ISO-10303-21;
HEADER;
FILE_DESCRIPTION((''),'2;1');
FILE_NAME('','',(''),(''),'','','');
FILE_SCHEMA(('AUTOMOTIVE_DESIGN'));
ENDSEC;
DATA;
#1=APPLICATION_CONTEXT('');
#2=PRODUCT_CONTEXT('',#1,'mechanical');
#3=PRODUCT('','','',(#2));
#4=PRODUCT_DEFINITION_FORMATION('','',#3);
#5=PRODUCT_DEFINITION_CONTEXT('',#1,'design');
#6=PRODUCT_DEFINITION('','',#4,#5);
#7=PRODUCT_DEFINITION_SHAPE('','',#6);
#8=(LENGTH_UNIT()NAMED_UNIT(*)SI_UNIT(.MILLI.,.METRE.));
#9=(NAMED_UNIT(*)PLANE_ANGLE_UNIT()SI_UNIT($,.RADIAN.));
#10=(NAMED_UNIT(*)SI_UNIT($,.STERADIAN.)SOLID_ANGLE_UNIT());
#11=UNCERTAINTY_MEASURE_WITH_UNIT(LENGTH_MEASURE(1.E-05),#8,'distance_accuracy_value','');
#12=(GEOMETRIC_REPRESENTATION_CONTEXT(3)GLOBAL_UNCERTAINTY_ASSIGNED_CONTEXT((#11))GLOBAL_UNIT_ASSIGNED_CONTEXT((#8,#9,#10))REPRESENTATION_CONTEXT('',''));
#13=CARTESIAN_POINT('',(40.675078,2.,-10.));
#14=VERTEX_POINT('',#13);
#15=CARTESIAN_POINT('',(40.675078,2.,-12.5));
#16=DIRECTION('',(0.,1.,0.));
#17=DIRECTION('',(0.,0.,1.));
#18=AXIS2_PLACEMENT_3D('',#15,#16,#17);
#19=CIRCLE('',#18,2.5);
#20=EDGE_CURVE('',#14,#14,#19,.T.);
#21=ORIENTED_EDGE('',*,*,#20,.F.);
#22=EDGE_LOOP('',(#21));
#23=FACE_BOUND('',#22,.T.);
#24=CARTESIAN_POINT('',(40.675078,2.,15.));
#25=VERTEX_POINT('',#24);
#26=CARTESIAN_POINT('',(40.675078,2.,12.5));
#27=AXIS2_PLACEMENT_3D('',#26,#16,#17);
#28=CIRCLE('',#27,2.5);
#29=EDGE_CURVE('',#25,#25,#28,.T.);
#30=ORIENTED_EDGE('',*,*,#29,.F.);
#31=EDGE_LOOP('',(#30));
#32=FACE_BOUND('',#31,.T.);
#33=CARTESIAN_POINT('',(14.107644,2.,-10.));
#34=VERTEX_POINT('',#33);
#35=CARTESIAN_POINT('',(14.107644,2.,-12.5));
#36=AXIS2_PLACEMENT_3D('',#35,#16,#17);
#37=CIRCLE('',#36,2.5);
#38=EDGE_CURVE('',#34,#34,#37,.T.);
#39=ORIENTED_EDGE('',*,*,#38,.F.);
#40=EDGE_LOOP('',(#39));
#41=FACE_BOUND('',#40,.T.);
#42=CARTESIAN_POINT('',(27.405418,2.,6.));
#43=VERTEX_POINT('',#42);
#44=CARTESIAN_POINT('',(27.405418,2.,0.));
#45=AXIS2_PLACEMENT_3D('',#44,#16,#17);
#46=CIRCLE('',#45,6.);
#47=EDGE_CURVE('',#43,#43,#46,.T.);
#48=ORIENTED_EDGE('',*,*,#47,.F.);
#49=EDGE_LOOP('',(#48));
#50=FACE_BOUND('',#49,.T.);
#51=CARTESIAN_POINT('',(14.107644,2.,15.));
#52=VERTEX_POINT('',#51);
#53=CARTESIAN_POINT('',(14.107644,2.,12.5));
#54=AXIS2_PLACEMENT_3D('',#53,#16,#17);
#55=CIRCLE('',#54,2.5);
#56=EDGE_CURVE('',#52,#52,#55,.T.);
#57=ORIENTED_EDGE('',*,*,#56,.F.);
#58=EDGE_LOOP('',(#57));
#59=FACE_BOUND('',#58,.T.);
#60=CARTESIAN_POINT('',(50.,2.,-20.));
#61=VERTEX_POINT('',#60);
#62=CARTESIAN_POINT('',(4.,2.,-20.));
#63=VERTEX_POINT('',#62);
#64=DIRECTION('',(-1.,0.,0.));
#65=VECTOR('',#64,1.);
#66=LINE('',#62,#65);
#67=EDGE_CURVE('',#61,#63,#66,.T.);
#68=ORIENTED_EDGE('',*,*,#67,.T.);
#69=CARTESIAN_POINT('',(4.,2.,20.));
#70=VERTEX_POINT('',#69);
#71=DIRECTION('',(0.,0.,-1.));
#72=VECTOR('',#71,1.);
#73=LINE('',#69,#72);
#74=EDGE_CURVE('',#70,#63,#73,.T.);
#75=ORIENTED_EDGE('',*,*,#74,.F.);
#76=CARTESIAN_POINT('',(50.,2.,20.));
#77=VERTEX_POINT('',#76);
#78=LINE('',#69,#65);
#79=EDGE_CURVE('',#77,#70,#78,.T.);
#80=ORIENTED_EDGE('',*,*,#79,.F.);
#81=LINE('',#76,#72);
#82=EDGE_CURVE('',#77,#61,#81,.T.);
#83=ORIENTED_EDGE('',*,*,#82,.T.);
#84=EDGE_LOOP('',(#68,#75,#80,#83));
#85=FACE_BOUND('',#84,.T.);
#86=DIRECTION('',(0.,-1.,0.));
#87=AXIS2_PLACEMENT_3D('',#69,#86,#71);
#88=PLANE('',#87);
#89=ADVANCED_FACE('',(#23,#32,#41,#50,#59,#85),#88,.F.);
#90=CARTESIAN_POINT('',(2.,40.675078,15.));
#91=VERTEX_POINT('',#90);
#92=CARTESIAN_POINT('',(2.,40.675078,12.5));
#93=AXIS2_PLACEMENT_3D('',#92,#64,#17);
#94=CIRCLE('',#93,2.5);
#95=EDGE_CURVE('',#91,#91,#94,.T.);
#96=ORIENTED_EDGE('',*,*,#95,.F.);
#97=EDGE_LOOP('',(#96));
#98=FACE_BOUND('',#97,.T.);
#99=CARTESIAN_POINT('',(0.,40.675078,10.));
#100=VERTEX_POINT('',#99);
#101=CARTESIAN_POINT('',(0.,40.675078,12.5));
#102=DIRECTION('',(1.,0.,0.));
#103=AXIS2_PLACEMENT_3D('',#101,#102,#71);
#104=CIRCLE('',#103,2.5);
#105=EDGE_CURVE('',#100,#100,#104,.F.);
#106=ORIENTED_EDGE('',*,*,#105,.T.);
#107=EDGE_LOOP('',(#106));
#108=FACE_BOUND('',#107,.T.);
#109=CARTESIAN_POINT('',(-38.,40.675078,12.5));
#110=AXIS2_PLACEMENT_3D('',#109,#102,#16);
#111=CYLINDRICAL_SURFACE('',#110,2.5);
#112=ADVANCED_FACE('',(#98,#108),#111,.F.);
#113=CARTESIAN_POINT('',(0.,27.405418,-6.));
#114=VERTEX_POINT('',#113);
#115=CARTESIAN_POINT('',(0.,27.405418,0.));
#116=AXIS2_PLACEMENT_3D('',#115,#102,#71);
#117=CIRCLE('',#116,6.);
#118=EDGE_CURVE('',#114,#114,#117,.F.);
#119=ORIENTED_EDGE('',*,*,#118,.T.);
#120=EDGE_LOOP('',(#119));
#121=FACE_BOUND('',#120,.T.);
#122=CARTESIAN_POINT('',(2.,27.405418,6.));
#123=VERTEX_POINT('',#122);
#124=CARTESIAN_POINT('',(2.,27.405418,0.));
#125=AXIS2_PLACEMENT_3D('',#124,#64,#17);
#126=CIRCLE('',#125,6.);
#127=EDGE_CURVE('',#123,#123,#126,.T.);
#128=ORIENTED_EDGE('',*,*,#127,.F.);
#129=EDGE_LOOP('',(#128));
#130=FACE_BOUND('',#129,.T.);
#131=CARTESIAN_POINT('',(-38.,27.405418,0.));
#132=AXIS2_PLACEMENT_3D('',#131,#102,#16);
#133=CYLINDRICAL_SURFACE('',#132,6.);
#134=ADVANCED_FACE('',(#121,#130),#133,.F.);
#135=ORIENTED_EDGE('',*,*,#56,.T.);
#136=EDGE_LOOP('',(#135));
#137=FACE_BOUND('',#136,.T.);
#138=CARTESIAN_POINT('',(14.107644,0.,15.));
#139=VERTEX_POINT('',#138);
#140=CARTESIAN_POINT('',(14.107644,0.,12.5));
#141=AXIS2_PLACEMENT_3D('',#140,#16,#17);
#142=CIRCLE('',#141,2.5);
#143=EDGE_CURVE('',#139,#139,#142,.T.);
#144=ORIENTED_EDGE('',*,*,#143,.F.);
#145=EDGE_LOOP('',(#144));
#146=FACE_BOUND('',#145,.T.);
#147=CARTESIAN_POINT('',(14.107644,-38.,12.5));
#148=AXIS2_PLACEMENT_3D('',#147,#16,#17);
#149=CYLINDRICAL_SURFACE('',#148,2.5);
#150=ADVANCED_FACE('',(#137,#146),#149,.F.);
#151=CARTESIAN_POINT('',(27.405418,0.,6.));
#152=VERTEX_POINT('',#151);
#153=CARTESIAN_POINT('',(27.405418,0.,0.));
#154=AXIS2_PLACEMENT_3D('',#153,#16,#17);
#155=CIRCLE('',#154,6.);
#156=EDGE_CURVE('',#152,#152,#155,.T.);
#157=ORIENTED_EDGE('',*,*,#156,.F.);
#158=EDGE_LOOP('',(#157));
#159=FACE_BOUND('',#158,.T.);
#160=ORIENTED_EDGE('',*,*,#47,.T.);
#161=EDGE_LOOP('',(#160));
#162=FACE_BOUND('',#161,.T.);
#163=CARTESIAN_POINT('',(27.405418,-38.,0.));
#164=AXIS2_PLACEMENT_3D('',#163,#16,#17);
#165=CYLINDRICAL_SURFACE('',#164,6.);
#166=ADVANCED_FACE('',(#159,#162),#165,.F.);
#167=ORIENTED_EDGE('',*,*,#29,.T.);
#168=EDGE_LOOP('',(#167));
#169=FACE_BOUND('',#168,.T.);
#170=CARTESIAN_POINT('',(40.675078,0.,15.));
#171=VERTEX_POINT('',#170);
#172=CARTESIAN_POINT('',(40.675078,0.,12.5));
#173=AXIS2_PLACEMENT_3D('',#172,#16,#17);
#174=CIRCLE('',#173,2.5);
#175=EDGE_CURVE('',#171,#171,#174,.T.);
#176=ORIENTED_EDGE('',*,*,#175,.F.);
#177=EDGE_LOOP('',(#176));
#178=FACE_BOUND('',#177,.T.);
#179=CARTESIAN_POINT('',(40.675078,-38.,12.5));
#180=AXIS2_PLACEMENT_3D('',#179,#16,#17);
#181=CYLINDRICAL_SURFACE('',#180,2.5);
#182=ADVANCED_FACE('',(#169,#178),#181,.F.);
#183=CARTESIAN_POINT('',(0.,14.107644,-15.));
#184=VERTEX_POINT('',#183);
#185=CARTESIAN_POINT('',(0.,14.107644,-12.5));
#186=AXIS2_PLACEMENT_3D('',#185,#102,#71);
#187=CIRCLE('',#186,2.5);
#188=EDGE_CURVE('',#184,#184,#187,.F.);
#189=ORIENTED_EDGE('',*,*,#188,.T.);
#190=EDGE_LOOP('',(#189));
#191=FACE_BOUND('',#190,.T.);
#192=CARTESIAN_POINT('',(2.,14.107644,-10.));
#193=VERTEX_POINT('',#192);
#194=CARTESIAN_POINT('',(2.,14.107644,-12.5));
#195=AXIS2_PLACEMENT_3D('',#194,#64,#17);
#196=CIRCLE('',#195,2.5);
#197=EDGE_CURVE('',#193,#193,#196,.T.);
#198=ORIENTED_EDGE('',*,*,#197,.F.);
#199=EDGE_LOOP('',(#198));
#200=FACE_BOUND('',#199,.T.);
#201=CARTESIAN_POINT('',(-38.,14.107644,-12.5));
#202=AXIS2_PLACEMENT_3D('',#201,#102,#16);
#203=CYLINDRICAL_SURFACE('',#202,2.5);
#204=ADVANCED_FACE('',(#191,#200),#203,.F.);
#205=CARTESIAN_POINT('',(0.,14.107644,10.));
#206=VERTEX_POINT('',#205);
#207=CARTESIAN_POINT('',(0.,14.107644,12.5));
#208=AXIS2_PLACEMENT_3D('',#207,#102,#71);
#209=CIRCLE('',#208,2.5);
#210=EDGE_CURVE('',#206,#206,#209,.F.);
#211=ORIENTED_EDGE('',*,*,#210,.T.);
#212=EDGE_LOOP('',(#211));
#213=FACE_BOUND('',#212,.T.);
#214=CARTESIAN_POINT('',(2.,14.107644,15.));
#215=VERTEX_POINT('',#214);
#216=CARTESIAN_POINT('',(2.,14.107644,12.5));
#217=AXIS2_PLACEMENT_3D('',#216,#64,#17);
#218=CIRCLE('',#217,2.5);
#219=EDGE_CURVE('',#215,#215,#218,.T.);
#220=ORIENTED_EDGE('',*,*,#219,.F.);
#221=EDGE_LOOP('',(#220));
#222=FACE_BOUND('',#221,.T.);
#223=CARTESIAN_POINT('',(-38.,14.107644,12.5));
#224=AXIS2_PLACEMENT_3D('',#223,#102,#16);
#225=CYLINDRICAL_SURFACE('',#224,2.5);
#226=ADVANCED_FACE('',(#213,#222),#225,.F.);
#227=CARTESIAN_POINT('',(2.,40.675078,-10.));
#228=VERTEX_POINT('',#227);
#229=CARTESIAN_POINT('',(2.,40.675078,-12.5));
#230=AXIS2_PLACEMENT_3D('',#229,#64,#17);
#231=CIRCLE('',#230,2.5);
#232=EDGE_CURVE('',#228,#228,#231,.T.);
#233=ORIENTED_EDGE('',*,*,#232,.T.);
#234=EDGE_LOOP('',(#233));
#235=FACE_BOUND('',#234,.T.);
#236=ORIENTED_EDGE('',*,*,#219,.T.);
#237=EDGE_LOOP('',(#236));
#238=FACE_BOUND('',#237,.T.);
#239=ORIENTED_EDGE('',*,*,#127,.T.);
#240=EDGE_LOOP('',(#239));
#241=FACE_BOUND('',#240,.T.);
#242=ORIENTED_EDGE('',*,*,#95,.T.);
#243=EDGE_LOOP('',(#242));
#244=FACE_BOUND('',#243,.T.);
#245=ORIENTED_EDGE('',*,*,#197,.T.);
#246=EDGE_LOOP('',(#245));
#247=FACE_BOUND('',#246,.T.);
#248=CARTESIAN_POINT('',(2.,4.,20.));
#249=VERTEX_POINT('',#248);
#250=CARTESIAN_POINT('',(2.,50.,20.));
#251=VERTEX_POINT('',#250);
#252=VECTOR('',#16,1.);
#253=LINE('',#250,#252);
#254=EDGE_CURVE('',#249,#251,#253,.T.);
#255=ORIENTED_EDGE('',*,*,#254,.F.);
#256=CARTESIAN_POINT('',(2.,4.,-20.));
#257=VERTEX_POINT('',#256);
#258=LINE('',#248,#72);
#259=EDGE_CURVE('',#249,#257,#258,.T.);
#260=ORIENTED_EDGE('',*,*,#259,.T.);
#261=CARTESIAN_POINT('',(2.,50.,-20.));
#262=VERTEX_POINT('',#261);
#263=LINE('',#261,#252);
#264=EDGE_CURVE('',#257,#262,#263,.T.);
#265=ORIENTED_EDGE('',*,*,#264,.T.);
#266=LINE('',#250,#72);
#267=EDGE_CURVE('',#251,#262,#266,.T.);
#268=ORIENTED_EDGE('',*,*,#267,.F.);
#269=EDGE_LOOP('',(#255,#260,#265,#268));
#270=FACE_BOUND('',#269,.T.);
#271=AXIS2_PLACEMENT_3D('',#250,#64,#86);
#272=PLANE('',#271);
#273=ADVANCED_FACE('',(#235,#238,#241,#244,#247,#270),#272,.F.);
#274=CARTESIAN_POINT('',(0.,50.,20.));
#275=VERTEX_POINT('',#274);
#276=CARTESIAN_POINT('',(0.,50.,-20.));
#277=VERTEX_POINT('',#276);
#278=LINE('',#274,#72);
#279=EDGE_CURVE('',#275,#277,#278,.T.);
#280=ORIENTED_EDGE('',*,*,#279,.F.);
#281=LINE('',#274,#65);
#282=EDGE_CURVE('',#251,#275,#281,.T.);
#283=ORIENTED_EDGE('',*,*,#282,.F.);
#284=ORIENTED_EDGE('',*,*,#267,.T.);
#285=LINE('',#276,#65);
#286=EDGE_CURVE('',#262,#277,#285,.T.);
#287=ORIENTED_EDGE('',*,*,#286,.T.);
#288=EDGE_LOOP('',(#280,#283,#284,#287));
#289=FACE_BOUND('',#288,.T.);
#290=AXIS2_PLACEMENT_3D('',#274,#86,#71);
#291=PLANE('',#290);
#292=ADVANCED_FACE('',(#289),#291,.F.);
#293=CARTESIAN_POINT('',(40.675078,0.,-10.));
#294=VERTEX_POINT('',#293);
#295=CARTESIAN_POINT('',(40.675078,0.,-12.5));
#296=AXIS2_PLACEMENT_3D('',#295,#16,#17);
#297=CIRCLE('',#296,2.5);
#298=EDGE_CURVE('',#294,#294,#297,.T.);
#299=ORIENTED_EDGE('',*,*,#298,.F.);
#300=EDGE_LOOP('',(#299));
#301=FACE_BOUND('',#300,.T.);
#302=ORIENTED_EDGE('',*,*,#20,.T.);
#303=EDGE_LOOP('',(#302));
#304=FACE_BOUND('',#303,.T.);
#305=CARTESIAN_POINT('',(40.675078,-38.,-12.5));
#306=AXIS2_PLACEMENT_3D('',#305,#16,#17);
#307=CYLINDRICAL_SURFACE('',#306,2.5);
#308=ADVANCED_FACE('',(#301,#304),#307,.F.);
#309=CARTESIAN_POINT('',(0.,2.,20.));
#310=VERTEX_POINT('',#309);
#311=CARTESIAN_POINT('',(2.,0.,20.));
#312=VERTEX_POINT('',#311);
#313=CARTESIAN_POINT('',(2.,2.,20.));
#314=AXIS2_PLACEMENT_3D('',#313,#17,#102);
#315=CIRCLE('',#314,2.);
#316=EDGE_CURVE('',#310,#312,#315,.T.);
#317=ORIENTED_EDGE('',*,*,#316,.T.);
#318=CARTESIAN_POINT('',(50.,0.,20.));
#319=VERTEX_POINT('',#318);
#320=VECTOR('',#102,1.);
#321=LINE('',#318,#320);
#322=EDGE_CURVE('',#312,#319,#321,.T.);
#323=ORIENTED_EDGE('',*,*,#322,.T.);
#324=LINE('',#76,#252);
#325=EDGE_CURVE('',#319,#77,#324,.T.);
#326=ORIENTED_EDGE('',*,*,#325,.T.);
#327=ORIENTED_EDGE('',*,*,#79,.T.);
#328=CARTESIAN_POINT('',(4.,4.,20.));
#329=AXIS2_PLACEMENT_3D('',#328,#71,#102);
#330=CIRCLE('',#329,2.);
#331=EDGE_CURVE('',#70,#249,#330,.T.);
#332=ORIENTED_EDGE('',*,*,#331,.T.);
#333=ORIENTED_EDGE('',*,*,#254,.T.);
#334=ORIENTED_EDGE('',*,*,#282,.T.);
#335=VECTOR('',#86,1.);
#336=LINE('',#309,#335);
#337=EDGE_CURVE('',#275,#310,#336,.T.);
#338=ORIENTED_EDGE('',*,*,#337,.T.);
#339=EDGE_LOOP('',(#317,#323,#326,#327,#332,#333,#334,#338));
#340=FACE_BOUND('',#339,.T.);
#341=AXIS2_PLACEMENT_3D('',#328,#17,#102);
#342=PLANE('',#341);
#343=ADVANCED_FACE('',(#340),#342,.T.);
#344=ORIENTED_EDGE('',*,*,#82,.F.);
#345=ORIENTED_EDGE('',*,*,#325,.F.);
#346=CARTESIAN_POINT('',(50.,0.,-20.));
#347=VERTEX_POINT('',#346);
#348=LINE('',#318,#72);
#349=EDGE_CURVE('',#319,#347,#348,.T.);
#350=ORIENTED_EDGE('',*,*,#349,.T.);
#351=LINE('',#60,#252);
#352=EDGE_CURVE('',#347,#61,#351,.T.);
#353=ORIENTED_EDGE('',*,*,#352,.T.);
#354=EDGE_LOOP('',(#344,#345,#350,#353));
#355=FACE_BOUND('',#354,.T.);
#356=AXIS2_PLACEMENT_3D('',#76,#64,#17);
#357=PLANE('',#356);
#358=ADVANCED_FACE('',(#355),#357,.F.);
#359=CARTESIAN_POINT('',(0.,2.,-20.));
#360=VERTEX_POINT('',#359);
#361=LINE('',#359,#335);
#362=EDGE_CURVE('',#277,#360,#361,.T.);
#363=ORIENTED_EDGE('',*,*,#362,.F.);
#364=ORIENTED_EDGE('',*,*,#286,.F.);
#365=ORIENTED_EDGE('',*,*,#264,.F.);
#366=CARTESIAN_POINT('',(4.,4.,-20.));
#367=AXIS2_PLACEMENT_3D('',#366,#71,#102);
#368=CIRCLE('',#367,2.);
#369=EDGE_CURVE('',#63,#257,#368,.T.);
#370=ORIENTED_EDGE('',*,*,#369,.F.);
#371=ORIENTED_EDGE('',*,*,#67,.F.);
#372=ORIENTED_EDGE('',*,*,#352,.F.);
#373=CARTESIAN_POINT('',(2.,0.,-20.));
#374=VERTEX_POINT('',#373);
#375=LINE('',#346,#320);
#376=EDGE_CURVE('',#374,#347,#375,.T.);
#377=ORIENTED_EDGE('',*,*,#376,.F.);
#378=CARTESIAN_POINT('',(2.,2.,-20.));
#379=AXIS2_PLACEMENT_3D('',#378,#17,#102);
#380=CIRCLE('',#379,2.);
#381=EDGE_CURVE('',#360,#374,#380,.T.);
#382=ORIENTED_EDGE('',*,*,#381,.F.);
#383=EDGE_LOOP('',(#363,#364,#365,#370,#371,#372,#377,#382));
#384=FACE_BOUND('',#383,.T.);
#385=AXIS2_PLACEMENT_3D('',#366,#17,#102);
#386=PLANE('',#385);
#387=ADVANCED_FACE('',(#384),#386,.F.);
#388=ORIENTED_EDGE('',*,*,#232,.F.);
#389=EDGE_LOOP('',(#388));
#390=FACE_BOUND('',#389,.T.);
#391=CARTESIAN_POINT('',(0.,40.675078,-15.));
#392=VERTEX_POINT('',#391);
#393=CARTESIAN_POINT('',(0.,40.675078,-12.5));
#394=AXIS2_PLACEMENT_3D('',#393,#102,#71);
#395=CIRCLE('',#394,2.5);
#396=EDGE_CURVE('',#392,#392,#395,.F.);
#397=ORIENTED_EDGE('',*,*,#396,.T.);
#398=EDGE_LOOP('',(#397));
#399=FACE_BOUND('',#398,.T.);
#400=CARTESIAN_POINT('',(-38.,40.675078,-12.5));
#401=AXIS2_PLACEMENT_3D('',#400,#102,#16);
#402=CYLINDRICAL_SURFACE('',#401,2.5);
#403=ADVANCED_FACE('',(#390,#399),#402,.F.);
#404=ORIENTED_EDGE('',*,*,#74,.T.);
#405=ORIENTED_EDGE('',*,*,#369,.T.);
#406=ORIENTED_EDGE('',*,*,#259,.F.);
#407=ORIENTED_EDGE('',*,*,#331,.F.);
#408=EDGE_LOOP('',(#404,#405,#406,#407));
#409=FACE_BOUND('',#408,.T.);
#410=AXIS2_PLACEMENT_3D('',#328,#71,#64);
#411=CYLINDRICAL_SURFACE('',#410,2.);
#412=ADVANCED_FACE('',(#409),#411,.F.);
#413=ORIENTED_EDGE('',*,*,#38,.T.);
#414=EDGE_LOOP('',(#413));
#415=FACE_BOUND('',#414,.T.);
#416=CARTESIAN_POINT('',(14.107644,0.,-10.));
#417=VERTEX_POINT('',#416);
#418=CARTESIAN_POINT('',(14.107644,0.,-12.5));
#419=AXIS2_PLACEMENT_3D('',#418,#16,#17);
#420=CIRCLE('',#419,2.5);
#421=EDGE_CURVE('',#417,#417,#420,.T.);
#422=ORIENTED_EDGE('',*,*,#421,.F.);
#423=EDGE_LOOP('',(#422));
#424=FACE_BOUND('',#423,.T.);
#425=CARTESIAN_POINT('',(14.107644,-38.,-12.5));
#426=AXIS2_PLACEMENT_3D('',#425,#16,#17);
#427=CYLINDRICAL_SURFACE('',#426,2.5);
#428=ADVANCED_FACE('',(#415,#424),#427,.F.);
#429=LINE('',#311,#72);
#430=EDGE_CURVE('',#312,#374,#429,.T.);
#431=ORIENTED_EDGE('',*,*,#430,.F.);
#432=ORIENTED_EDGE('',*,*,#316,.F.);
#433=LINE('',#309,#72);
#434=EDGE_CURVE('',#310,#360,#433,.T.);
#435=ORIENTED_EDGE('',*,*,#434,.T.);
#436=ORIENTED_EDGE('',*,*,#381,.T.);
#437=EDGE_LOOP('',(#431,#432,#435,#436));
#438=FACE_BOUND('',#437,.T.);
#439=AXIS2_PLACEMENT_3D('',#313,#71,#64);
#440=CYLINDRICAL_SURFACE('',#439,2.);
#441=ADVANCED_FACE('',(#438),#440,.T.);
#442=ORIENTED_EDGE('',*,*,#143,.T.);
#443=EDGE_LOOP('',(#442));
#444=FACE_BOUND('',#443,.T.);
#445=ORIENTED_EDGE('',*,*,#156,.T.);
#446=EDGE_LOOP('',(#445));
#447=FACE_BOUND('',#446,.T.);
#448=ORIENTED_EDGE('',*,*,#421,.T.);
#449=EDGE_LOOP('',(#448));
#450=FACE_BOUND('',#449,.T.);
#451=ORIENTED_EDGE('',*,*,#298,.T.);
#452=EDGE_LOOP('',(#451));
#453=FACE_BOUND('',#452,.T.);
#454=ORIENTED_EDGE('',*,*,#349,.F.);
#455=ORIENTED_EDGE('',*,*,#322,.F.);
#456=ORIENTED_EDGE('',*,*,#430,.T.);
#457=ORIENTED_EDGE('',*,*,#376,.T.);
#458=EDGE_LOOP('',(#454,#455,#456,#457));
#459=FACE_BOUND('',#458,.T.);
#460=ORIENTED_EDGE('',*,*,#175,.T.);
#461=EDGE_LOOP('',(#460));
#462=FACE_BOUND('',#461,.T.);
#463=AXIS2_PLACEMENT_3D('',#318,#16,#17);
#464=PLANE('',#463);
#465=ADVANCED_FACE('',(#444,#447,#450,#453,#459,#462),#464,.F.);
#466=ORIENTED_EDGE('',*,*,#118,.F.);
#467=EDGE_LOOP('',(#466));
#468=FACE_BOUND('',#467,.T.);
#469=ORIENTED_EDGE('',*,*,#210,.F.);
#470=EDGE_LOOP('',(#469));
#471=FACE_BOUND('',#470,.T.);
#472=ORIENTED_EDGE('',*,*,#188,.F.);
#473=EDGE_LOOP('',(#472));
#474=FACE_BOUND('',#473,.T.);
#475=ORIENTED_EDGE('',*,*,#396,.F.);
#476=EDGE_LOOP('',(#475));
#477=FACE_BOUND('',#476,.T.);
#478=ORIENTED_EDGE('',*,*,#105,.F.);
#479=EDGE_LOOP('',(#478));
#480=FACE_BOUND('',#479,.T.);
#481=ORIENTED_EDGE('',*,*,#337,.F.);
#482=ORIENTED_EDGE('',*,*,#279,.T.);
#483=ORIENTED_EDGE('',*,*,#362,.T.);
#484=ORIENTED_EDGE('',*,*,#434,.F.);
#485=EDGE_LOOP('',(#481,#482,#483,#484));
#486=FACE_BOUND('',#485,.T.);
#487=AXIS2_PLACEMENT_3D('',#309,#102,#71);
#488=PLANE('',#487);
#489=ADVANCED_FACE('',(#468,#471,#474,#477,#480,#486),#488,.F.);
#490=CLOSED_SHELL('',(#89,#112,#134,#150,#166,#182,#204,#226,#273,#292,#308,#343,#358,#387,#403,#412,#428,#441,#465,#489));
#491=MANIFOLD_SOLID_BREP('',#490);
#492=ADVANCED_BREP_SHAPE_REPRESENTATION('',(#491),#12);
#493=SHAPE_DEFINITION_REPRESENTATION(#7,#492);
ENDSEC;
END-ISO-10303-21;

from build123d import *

# Parameters (mm, degrees)
BOSS_EXTRUDE1_DEPTH = 20
SKETCH3_R           = 6
SKETCH3_R_2         = 2.5
CUT_EXTRUDE1_DEPTH  = 40


with BuildPart() as part:
    # Sketch1 → Boss-Extrude1 (new, symmetric)
    with BuildSketch(Plane.XY):
        with BuildLine():
            Line((0, 2), (0, 50))
            Line((0, 50), (2, 50))
            Line((2, 50), (2, 4))
            ThreePointArc((2, 4), (2.585786438, 2.585786438), (4, 2))
            Line((4, 2), (50, 2))
            Line((50, 2), (50, 0))
            Line((50, 0), (2, 0))
            ThreePointArc((2, 0), (0.585786438, 0.585786438), (0, 2))
        make_face()
    extrude(amount=BOSS_EXTRUDE1_DEPTH, both=True)

    # Sketch3 → Cut-Extrude1 (cut)
    with BuildSketch(Plane(origin=(0, 2, 0), x_dir=(1, 0, 0), z_dir=(0, 1, 0))):
        with Locations(Location((27.405417893, 0, 0), (0, 0, 270))):
            Circle(SKETCH3_R)
        with Locations(Location((40.675078118, 12.5, 0), (0, 0, 270))):
            Circle(SKETCH3_R_2)
        with Locations(Location((40.675078118, -12.5, 0), (0, 0, 270))):
            Circle(SKETCH3_R_2)
        with Locations(Location((14.107643981, -12.5, 0), (0, 0, 270))):
            Circle(SKETCH3_R_2)
        with Locations(Location((14.107643981, 12.5, 0), (0, 0, 270))):
            Circle(SKETCH3_R_2)
    cut_extrude1 = extrude(amount=-CUT_EXTRUDE1_DEPTH, mode=Mode.SUBTRACT)

    # Mirror1: Cut-Extrude1 across plane
    add(cut_extrude1.mirror(Plane(origin=(0, 0, 0), x_dir=(0, 0, 1), z_dir=(-0.7071067811865488, 0.7071067811865464, 0))), mode=Mode.SUBTRACT)


solid = part.part
